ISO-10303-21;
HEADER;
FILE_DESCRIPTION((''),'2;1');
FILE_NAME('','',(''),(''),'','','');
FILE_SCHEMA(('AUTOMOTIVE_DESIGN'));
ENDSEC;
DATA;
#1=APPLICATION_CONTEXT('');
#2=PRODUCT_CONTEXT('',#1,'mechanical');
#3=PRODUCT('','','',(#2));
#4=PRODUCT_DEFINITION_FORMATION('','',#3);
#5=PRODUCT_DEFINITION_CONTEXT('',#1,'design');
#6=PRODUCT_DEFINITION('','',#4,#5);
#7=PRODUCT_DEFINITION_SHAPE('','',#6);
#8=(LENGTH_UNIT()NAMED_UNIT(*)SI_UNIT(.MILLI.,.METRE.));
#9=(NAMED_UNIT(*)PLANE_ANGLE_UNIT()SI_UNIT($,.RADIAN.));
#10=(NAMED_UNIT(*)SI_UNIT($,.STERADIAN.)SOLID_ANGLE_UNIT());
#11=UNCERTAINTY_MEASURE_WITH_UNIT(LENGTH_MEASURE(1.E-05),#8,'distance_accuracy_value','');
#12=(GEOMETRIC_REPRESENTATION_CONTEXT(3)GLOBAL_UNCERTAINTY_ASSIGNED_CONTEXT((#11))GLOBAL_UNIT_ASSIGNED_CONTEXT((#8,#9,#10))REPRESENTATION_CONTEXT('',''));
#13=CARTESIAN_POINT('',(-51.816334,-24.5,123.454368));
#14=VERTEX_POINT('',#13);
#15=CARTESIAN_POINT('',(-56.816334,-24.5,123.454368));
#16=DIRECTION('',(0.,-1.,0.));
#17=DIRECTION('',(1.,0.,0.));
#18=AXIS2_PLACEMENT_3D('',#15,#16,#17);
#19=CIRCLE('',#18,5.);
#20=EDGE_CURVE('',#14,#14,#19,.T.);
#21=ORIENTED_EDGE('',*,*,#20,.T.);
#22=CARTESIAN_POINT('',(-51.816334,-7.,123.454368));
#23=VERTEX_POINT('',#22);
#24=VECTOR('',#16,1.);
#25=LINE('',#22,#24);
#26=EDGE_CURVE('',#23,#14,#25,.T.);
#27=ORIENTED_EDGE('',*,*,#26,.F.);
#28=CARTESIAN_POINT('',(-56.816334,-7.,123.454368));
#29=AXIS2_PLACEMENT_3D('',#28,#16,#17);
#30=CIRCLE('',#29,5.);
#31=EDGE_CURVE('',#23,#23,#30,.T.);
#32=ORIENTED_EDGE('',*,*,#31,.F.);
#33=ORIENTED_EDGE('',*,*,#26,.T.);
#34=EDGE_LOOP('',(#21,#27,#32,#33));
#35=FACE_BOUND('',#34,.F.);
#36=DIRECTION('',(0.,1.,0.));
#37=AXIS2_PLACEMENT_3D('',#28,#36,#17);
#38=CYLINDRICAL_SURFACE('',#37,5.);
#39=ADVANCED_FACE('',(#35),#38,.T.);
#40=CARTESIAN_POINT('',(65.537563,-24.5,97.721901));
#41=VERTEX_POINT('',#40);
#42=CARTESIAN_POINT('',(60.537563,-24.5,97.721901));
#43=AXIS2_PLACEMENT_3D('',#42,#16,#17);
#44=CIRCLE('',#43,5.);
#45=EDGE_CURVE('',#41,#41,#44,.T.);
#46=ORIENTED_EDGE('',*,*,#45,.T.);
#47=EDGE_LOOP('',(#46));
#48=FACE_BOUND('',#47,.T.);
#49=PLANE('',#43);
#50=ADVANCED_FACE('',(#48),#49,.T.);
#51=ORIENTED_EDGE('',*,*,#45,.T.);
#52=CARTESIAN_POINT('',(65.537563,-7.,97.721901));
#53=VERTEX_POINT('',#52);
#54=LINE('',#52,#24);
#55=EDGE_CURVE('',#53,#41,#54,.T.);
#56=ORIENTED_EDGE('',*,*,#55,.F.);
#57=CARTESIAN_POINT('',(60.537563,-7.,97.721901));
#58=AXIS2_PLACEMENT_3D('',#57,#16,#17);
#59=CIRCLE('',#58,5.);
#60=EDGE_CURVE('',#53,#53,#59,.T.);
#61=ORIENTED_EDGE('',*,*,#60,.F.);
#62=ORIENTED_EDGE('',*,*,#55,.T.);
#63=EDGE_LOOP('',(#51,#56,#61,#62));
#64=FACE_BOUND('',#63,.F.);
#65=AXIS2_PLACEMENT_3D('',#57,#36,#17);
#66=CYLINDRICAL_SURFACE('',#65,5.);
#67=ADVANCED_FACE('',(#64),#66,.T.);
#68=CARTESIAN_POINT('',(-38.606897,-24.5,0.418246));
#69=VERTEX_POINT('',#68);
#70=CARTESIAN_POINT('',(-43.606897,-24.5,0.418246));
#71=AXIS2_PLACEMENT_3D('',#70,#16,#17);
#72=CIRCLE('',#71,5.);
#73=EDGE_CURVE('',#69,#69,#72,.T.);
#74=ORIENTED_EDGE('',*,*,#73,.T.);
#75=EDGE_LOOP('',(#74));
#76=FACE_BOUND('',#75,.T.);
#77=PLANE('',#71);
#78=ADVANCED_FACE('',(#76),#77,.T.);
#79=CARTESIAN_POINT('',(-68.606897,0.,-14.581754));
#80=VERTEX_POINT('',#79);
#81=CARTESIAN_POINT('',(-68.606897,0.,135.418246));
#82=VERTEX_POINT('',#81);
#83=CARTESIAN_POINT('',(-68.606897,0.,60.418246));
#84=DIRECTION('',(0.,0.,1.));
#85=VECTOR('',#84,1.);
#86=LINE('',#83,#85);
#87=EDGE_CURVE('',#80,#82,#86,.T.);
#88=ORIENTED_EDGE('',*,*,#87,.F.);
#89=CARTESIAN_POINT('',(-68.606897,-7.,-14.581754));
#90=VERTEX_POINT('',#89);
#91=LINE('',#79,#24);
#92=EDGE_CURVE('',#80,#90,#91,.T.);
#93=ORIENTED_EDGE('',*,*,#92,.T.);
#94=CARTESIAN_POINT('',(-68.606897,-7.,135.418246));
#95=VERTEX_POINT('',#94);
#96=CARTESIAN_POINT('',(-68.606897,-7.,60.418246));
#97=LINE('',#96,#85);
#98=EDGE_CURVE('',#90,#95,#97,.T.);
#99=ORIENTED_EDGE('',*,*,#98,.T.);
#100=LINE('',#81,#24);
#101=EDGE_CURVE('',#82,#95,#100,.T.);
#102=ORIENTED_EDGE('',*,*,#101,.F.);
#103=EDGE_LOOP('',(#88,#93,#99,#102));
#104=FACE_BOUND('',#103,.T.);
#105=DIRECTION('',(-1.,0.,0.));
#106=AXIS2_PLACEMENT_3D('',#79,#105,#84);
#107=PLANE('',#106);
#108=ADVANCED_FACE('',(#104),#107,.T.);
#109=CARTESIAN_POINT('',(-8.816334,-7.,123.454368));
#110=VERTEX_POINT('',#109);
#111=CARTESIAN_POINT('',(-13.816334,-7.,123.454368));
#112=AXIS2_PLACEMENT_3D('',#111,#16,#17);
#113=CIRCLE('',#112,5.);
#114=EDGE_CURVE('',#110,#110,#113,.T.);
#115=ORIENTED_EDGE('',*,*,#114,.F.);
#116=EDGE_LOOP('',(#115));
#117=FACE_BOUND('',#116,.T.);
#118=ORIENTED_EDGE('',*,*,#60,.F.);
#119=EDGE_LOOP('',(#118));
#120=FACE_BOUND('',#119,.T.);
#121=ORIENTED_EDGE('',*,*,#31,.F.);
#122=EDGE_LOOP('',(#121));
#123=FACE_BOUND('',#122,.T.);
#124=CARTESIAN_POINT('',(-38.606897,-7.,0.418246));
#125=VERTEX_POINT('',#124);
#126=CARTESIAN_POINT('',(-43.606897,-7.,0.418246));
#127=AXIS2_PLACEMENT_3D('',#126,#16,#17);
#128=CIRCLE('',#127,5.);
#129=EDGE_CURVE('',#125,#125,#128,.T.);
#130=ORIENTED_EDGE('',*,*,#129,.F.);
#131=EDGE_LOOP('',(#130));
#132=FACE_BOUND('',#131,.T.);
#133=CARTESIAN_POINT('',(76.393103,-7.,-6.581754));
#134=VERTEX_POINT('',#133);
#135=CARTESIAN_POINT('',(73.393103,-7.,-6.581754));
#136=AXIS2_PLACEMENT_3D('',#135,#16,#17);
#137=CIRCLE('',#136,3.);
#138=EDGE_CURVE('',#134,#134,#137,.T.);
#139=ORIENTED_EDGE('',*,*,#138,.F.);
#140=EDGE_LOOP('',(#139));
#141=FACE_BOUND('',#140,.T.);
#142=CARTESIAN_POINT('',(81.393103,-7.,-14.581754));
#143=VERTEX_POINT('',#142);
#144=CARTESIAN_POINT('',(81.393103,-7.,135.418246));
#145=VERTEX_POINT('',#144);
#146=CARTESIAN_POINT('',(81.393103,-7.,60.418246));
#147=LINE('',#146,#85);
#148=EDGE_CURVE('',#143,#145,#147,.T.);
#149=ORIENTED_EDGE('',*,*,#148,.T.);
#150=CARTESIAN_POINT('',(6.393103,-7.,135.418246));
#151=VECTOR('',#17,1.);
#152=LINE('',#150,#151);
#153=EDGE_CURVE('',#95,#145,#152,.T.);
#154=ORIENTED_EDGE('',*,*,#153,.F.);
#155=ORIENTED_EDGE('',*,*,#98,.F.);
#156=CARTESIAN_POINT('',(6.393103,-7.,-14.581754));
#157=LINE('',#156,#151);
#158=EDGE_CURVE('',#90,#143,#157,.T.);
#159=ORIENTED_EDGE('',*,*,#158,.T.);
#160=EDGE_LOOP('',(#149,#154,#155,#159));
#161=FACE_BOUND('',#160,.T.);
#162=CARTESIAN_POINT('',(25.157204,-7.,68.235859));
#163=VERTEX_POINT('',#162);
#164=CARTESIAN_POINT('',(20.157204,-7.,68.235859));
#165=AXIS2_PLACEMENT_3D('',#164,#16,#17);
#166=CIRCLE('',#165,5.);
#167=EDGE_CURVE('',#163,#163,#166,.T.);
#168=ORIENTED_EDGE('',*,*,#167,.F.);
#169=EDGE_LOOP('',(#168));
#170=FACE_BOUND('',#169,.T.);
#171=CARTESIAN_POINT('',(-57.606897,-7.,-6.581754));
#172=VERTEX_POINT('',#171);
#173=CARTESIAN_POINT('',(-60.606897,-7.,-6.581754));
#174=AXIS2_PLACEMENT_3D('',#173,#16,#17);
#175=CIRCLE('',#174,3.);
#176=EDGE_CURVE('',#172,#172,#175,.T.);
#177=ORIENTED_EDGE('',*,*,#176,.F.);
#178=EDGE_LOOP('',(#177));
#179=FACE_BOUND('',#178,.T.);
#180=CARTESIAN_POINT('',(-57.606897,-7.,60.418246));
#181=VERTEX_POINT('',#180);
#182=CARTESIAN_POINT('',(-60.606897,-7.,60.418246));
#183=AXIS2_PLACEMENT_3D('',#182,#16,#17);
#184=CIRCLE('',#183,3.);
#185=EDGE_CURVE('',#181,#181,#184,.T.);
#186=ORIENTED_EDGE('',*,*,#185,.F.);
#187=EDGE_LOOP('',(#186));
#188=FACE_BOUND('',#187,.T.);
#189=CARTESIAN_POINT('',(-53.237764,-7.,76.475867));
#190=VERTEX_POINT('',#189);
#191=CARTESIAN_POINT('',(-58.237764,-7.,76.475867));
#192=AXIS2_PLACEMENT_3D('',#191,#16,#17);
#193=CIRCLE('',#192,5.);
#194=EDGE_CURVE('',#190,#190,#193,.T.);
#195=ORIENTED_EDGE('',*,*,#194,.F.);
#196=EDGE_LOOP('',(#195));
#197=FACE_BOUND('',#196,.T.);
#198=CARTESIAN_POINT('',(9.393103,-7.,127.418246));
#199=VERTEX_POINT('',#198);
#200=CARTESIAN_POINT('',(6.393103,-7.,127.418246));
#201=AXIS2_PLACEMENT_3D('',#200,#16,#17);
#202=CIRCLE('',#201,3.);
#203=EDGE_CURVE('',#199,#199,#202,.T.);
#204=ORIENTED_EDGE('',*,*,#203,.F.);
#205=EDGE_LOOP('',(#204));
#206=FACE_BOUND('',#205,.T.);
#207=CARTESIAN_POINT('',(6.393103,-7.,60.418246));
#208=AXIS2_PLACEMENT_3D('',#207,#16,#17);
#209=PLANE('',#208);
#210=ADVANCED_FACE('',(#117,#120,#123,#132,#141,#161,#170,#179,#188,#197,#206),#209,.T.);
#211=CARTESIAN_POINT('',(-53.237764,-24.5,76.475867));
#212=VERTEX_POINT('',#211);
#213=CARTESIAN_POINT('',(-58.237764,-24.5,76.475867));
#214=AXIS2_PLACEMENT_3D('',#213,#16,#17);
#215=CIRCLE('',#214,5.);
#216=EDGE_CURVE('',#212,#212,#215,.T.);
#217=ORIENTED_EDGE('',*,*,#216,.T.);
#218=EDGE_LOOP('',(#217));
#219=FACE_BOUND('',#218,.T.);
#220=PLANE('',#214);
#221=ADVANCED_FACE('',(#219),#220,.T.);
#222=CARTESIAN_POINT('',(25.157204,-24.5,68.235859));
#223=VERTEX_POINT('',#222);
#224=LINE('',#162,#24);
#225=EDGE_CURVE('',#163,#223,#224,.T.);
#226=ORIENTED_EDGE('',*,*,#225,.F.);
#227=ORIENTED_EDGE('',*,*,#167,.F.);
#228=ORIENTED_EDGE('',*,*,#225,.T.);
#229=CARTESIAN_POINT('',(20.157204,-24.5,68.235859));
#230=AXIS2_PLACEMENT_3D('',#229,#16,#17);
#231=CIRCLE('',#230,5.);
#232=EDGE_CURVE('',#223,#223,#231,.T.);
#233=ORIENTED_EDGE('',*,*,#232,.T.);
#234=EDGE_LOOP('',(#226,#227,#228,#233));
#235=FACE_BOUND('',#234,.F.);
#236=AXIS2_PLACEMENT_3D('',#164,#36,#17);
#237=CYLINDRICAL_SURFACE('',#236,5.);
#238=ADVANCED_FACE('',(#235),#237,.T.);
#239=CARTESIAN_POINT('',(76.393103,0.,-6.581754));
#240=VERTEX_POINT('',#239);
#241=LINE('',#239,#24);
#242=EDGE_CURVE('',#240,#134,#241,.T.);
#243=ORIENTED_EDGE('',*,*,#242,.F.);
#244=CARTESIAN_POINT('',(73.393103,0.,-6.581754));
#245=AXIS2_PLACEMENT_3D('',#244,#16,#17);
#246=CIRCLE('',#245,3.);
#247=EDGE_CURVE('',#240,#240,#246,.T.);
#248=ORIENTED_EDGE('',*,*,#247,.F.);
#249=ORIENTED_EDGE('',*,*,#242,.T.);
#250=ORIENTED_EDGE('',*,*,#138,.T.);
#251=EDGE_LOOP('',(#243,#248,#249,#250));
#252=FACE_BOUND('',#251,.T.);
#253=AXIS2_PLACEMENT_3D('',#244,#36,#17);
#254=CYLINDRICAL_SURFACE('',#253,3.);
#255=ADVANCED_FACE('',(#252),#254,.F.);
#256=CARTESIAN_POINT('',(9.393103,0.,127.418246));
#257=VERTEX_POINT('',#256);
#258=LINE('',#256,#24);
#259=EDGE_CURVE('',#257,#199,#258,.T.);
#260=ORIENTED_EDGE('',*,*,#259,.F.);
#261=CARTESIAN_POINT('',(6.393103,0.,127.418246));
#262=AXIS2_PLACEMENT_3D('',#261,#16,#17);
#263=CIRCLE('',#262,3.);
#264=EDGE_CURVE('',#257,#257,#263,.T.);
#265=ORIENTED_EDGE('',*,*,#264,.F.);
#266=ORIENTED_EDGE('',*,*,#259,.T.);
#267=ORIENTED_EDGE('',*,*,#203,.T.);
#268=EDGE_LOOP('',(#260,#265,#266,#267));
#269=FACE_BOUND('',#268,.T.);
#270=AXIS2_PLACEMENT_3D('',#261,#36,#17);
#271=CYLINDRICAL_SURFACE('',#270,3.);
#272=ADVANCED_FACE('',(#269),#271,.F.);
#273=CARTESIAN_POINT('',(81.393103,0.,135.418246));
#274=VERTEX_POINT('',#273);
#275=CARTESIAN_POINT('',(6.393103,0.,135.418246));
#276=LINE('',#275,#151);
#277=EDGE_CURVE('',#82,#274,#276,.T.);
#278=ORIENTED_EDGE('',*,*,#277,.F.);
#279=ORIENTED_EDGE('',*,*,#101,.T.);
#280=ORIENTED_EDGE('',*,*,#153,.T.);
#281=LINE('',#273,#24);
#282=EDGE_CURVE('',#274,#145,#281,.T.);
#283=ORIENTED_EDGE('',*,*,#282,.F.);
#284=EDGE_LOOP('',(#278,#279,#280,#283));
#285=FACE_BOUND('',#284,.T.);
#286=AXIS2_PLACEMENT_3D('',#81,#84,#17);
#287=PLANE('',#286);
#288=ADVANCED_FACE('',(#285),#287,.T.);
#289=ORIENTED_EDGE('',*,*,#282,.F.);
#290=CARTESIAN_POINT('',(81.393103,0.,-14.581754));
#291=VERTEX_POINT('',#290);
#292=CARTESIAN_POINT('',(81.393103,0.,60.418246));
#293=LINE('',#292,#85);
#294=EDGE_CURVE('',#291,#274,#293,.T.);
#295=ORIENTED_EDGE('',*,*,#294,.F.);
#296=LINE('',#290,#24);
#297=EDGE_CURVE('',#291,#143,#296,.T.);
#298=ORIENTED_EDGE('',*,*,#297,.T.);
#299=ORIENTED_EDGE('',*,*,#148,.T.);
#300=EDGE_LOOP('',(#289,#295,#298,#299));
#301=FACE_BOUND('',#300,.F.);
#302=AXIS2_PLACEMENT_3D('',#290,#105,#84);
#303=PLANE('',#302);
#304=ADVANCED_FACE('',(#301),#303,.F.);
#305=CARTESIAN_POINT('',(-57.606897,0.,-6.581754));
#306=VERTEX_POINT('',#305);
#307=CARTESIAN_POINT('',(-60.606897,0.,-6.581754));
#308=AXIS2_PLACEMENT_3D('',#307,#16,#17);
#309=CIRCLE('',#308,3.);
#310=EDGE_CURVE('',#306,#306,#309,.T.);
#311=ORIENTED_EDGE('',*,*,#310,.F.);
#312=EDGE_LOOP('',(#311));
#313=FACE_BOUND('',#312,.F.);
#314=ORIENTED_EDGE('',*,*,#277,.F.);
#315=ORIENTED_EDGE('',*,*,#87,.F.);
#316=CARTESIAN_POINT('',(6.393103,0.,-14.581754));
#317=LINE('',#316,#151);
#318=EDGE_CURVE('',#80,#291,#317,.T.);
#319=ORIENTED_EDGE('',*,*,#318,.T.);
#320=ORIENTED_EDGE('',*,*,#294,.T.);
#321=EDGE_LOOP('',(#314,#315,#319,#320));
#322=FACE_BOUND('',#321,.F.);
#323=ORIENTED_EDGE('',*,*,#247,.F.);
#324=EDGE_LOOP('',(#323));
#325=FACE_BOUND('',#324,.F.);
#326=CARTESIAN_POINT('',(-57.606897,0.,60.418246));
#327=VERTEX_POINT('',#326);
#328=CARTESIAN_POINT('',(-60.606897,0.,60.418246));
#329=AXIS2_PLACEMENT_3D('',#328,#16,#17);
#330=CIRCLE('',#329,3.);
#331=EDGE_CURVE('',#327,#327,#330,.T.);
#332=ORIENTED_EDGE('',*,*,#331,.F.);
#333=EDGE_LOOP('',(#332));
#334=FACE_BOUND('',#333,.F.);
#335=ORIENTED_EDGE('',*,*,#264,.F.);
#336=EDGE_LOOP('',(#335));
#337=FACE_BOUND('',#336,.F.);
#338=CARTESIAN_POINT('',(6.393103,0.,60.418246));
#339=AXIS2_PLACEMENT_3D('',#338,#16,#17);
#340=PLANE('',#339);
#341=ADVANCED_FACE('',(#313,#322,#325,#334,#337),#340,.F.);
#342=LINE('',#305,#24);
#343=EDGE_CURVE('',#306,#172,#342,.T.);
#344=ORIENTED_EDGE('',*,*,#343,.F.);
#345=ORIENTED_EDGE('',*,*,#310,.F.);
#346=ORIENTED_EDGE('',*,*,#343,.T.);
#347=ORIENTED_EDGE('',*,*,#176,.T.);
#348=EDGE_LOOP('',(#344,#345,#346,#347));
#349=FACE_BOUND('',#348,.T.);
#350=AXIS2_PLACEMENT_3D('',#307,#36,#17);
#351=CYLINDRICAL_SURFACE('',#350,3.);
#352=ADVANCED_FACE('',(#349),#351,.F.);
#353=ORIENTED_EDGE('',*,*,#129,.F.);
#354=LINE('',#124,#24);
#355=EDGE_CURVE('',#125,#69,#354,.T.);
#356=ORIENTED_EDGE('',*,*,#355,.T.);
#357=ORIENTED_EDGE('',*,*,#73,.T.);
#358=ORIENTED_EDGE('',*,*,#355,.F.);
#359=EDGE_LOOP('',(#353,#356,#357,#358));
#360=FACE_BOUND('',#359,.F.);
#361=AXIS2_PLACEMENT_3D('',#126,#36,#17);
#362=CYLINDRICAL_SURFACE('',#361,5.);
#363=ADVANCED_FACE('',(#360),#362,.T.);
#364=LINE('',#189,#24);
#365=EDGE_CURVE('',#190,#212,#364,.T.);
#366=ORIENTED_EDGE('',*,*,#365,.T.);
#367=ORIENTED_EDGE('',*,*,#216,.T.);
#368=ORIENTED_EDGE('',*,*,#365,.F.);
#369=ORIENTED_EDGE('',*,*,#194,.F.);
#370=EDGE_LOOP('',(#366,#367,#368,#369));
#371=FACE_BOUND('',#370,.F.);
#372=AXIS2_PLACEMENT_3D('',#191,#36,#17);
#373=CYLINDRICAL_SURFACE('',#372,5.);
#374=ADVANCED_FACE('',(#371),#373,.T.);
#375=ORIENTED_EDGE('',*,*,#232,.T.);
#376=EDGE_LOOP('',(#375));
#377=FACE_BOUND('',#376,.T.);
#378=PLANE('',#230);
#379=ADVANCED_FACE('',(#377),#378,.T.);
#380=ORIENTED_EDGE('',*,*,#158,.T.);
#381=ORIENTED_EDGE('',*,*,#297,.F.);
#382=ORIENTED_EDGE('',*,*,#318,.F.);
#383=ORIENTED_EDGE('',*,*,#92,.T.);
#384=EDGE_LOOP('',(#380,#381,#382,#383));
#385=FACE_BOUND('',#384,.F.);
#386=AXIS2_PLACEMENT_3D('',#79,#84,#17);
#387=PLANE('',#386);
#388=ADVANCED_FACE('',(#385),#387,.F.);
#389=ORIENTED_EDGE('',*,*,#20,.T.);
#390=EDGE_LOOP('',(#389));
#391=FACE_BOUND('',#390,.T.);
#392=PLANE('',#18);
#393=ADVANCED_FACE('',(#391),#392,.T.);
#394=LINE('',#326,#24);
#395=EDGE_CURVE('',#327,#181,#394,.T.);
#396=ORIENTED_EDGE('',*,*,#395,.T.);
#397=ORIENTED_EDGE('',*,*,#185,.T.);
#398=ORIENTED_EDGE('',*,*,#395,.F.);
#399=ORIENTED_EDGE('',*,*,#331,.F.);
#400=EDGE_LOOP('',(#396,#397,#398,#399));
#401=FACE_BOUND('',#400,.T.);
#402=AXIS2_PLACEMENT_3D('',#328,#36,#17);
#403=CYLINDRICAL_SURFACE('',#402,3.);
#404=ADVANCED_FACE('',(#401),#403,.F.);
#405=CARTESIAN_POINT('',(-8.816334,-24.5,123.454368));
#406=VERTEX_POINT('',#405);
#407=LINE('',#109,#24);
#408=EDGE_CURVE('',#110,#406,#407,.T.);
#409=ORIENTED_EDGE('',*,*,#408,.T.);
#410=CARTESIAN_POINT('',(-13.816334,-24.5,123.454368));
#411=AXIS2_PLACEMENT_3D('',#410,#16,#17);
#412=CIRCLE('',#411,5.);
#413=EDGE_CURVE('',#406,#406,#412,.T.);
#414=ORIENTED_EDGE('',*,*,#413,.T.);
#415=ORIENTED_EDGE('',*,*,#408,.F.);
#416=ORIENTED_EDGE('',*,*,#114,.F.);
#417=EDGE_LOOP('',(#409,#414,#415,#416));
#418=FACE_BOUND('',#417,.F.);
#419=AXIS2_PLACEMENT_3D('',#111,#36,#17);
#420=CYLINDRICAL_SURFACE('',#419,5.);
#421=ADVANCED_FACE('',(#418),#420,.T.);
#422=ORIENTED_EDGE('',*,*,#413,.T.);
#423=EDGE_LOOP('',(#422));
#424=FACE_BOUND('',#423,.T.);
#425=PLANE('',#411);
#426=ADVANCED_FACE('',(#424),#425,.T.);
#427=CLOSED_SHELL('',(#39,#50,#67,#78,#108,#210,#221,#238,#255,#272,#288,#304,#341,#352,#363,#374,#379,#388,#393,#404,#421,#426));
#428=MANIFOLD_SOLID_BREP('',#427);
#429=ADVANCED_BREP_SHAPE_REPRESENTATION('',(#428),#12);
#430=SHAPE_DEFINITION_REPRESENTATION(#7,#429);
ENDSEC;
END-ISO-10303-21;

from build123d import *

# Parameters (mm, degrees)
F0_W     = 150
F0_H     = 150
F0_R     = 3
F1_DEPTH = 7
F2_R     = 5
F3_DEPTH = 17.5


with BuildPart() as f1:
    # F0 (on Front) → F1 (new body)
    with BuildSketch(Plane.XZ):
        with Locations((6.393103, 60.418246)):
            Rectangle(F0_W, F0_H)
        with Locations((-60.606897, -6.581754)):
            Circle(F0_R, mode=Mode.SUBTRACT)
        with Locations((73.393103, -6.581754)):
            Circle(F0_R, mode=Mode.SUBTRACT)
        with Locations((-60.606897, 60.418246)):
            Circle(F0_R, mode=Mode.SUBTRACT)
        with Locations((6.393103, 127.418246)):
            Circle(F0_R, mode=Mode.SUBTRACT)
    extrude(amount=F1_DEPTH)

    # F2 (on face) → F3 (join)
    with BuildSketch(Plane.XZ.offset(7)):
        with Locations((-56.816334, 123.454368)):
            Circle(F2_R)
        with Locations((-13.816334, 123.454368)):
            Circle(F2_R)
        with Locations((-58.237764, 76.475867)):
            Circle(F2_R)
        with Locations((-43.606897, 0.418246)):
            Circle(F2_R)
        with Locations((20.157204, 68.235859)):
            Circle(F2_R)
        with Locations((60.537563, 97.721901)):
            Circle(F2_R)
    extrude(amount=F3_DEPTH)


solid = f1.part
